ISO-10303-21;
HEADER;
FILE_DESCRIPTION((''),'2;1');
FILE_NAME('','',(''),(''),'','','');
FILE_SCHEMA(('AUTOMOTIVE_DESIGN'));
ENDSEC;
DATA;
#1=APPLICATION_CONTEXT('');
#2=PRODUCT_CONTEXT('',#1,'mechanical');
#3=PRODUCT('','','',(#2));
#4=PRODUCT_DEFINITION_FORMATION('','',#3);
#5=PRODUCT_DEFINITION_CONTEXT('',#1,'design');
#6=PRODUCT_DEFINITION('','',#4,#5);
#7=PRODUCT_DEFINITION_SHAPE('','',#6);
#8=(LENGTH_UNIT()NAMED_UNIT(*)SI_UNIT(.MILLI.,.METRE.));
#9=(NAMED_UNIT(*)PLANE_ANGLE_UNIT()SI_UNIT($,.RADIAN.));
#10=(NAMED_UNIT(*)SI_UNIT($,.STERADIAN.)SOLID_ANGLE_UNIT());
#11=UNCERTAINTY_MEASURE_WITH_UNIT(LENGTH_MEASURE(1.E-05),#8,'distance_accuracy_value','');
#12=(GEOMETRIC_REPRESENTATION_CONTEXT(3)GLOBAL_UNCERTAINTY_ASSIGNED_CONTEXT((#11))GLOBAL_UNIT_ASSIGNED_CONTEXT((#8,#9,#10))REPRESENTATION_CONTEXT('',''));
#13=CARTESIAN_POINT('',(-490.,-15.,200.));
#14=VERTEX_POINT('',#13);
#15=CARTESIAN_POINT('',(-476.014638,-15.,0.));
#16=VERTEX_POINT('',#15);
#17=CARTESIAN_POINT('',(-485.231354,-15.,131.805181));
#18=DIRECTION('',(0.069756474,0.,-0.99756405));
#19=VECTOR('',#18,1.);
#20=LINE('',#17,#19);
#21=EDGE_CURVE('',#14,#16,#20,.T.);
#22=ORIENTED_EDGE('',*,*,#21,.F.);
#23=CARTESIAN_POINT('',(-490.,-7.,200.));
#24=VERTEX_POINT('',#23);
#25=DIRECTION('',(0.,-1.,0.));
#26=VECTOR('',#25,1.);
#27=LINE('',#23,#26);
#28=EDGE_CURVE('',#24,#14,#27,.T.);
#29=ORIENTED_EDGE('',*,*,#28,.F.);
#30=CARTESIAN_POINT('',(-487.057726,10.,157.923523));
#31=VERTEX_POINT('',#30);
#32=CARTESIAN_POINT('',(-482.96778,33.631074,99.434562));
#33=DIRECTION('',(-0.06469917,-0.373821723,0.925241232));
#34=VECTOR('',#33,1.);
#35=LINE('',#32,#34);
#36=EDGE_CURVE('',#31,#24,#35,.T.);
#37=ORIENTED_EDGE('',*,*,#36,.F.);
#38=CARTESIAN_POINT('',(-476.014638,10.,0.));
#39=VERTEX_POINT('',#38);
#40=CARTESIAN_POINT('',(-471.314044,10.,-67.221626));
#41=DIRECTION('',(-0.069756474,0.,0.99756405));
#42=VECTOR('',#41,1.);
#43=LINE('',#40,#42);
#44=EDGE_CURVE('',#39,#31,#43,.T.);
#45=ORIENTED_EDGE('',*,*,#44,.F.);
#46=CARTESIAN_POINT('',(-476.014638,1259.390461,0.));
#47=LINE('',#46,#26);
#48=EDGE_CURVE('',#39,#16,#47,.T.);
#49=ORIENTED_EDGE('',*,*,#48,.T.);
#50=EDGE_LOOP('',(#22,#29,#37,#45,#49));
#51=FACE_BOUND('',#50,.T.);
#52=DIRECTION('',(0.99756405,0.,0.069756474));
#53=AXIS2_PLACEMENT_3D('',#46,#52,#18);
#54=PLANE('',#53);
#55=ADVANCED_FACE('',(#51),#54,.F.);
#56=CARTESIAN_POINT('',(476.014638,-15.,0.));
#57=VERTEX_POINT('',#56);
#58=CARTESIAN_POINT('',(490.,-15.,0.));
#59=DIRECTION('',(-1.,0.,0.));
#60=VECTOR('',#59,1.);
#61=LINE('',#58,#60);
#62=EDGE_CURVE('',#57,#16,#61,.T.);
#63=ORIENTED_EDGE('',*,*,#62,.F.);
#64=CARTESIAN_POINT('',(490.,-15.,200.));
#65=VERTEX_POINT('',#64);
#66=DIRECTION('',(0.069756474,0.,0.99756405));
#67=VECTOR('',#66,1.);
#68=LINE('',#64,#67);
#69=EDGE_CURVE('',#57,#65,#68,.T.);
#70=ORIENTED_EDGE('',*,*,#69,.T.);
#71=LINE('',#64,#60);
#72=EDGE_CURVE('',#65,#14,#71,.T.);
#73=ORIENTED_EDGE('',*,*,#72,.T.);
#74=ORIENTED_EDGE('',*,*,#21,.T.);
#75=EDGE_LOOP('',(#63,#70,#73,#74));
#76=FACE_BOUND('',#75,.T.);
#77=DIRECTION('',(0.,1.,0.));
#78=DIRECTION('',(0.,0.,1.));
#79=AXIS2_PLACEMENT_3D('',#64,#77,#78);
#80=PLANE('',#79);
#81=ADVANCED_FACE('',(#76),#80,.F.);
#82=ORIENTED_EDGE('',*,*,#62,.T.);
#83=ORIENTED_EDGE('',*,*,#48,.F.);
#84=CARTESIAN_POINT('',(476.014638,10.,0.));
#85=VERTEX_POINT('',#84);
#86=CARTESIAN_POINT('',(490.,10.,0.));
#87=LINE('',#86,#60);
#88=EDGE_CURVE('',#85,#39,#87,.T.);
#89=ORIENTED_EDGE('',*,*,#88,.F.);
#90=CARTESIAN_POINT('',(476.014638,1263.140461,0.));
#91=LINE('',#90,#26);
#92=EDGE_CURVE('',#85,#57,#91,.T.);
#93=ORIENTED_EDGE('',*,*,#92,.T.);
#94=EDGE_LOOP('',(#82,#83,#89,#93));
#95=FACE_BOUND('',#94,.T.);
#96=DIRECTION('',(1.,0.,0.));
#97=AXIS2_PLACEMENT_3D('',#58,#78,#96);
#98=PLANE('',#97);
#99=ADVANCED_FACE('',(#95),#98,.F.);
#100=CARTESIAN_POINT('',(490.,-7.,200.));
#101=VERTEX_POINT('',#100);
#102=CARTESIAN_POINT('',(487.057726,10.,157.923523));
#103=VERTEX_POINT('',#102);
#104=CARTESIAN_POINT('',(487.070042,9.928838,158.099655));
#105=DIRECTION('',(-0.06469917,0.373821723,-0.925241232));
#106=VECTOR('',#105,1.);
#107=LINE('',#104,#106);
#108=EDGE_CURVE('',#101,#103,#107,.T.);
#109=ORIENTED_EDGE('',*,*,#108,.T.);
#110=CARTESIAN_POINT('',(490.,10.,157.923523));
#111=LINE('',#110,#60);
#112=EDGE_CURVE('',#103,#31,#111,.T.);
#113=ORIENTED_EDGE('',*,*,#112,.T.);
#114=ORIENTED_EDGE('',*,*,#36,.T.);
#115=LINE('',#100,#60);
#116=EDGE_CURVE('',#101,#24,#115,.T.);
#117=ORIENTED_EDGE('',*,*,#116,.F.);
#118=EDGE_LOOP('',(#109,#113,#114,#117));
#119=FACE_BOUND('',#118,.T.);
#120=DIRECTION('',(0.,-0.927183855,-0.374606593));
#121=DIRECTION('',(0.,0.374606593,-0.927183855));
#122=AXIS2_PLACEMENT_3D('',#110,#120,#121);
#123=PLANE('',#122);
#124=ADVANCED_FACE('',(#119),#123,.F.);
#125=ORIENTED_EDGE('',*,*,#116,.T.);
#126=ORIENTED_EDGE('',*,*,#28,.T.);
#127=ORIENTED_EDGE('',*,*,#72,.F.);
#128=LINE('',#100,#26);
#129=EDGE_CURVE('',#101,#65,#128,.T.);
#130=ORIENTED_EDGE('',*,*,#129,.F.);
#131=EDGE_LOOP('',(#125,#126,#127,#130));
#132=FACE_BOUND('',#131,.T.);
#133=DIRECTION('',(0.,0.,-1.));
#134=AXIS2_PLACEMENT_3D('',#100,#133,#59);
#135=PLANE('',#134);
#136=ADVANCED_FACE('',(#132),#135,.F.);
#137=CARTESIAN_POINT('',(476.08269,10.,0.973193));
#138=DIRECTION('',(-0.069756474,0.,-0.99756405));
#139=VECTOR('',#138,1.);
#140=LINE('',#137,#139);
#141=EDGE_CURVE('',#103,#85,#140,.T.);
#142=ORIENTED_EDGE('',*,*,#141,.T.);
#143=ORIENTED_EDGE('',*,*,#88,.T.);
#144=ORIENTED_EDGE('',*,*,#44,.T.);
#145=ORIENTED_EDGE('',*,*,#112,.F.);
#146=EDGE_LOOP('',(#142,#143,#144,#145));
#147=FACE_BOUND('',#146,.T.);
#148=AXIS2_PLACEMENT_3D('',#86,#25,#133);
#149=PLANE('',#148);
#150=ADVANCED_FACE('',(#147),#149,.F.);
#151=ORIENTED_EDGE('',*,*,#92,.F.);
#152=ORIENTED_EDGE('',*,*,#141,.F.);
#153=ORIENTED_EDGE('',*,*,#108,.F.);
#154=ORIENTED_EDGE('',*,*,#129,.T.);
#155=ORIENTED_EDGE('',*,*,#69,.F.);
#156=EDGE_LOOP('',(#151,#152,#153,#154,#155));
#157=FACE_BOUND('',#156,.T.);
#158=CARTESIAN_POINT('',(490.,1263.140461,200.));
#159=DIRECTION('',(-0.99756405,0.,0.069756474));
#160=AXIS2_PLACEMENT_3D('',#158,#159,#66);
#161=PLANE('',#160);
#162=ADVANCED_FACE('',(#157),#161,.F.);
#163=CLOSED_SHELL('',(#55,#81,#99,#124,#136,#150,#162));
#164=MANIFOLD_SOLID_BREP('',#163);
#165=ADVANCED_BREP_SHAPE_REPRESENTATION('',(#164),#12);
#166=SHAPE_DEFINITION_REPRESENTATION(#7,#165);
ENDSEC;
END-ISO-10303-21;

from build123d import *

# Parameters (mm, degrees)
EXTRUDE1_DEPTH          = 490
CUT_EXTRUDE1_DEPTH      = 11
CUT_EXTRUDE1_DEPTH_BACK = 16
CUT_EXTRUDE2_DEPTH      = 11
CUT_EXTRUDE2_DEPTH_BACK = 16


with BuildPart() as part:
    # Sketch1 → Extrude1 (new body, symmetric)
    with BuildSketch(Plane(origin=(0, 0, 0), x_dir=(0, 0, -1), z_dir=(1, 0, 0))):
        Polygon((-200, -7), (-200, -15), (0, -15), (0, 10), (-157.923523492, 10), align=None)
    extrude(amount=EXTRUDE1_DEPTH, both=True)

    # Sketch2 → Cut-Extrude1 (cut, two sides)
    with BuildSketch(Plane(origin=(0, 0, 0), x_dir=(1, 0, 0), z_dir=(0, 1, 0))) as cut_extrude1_sk:
        Polygon((-335.776225586, 2005.502726748), (-476.014637611, 0), (-490, -200), (-630.238412025, -2205.502726748), (-4641.243865521, -1925.025902697), (-4346.781679081, 2285.979550799), align=None)
    extrude(amount=CUT_EXTRUDE1_DEPTH, mode=Mode.SUBTRACT)
    extrude(cut_extrude1_sk.sketch, amount=-CUT_EXTRUDE1_DEPTH_BACK, mode=Mode.SUBTRACT)

    # Sketch3 → Cut-Extrude2 (cut, two sides)
    with BuildSketch(Plane(origin=(0, 0, 0), x_dir=(1, 0, 0), z_dir=(0, 1, 0))) as cut_extrude2_sk:
        Polygon((630.238412025, -2205.502726748), (490, -200), (476.014637611, 0), (335.776225586, 2005.502726748), (4346.781679081, 2285.979550799), (4641.243865521, -1925.025902697), align=None)
    extrude(amount=CUT_EXTRUDE2_DEPTH, mode=Mode.SUBTRACT)
    extrude(cut_extrude2_sk.sketch, amount=-CUT_EXTRUDE2_DEPTH_BACK, mode=Mode.SUBTRACT)


solid = part.part
